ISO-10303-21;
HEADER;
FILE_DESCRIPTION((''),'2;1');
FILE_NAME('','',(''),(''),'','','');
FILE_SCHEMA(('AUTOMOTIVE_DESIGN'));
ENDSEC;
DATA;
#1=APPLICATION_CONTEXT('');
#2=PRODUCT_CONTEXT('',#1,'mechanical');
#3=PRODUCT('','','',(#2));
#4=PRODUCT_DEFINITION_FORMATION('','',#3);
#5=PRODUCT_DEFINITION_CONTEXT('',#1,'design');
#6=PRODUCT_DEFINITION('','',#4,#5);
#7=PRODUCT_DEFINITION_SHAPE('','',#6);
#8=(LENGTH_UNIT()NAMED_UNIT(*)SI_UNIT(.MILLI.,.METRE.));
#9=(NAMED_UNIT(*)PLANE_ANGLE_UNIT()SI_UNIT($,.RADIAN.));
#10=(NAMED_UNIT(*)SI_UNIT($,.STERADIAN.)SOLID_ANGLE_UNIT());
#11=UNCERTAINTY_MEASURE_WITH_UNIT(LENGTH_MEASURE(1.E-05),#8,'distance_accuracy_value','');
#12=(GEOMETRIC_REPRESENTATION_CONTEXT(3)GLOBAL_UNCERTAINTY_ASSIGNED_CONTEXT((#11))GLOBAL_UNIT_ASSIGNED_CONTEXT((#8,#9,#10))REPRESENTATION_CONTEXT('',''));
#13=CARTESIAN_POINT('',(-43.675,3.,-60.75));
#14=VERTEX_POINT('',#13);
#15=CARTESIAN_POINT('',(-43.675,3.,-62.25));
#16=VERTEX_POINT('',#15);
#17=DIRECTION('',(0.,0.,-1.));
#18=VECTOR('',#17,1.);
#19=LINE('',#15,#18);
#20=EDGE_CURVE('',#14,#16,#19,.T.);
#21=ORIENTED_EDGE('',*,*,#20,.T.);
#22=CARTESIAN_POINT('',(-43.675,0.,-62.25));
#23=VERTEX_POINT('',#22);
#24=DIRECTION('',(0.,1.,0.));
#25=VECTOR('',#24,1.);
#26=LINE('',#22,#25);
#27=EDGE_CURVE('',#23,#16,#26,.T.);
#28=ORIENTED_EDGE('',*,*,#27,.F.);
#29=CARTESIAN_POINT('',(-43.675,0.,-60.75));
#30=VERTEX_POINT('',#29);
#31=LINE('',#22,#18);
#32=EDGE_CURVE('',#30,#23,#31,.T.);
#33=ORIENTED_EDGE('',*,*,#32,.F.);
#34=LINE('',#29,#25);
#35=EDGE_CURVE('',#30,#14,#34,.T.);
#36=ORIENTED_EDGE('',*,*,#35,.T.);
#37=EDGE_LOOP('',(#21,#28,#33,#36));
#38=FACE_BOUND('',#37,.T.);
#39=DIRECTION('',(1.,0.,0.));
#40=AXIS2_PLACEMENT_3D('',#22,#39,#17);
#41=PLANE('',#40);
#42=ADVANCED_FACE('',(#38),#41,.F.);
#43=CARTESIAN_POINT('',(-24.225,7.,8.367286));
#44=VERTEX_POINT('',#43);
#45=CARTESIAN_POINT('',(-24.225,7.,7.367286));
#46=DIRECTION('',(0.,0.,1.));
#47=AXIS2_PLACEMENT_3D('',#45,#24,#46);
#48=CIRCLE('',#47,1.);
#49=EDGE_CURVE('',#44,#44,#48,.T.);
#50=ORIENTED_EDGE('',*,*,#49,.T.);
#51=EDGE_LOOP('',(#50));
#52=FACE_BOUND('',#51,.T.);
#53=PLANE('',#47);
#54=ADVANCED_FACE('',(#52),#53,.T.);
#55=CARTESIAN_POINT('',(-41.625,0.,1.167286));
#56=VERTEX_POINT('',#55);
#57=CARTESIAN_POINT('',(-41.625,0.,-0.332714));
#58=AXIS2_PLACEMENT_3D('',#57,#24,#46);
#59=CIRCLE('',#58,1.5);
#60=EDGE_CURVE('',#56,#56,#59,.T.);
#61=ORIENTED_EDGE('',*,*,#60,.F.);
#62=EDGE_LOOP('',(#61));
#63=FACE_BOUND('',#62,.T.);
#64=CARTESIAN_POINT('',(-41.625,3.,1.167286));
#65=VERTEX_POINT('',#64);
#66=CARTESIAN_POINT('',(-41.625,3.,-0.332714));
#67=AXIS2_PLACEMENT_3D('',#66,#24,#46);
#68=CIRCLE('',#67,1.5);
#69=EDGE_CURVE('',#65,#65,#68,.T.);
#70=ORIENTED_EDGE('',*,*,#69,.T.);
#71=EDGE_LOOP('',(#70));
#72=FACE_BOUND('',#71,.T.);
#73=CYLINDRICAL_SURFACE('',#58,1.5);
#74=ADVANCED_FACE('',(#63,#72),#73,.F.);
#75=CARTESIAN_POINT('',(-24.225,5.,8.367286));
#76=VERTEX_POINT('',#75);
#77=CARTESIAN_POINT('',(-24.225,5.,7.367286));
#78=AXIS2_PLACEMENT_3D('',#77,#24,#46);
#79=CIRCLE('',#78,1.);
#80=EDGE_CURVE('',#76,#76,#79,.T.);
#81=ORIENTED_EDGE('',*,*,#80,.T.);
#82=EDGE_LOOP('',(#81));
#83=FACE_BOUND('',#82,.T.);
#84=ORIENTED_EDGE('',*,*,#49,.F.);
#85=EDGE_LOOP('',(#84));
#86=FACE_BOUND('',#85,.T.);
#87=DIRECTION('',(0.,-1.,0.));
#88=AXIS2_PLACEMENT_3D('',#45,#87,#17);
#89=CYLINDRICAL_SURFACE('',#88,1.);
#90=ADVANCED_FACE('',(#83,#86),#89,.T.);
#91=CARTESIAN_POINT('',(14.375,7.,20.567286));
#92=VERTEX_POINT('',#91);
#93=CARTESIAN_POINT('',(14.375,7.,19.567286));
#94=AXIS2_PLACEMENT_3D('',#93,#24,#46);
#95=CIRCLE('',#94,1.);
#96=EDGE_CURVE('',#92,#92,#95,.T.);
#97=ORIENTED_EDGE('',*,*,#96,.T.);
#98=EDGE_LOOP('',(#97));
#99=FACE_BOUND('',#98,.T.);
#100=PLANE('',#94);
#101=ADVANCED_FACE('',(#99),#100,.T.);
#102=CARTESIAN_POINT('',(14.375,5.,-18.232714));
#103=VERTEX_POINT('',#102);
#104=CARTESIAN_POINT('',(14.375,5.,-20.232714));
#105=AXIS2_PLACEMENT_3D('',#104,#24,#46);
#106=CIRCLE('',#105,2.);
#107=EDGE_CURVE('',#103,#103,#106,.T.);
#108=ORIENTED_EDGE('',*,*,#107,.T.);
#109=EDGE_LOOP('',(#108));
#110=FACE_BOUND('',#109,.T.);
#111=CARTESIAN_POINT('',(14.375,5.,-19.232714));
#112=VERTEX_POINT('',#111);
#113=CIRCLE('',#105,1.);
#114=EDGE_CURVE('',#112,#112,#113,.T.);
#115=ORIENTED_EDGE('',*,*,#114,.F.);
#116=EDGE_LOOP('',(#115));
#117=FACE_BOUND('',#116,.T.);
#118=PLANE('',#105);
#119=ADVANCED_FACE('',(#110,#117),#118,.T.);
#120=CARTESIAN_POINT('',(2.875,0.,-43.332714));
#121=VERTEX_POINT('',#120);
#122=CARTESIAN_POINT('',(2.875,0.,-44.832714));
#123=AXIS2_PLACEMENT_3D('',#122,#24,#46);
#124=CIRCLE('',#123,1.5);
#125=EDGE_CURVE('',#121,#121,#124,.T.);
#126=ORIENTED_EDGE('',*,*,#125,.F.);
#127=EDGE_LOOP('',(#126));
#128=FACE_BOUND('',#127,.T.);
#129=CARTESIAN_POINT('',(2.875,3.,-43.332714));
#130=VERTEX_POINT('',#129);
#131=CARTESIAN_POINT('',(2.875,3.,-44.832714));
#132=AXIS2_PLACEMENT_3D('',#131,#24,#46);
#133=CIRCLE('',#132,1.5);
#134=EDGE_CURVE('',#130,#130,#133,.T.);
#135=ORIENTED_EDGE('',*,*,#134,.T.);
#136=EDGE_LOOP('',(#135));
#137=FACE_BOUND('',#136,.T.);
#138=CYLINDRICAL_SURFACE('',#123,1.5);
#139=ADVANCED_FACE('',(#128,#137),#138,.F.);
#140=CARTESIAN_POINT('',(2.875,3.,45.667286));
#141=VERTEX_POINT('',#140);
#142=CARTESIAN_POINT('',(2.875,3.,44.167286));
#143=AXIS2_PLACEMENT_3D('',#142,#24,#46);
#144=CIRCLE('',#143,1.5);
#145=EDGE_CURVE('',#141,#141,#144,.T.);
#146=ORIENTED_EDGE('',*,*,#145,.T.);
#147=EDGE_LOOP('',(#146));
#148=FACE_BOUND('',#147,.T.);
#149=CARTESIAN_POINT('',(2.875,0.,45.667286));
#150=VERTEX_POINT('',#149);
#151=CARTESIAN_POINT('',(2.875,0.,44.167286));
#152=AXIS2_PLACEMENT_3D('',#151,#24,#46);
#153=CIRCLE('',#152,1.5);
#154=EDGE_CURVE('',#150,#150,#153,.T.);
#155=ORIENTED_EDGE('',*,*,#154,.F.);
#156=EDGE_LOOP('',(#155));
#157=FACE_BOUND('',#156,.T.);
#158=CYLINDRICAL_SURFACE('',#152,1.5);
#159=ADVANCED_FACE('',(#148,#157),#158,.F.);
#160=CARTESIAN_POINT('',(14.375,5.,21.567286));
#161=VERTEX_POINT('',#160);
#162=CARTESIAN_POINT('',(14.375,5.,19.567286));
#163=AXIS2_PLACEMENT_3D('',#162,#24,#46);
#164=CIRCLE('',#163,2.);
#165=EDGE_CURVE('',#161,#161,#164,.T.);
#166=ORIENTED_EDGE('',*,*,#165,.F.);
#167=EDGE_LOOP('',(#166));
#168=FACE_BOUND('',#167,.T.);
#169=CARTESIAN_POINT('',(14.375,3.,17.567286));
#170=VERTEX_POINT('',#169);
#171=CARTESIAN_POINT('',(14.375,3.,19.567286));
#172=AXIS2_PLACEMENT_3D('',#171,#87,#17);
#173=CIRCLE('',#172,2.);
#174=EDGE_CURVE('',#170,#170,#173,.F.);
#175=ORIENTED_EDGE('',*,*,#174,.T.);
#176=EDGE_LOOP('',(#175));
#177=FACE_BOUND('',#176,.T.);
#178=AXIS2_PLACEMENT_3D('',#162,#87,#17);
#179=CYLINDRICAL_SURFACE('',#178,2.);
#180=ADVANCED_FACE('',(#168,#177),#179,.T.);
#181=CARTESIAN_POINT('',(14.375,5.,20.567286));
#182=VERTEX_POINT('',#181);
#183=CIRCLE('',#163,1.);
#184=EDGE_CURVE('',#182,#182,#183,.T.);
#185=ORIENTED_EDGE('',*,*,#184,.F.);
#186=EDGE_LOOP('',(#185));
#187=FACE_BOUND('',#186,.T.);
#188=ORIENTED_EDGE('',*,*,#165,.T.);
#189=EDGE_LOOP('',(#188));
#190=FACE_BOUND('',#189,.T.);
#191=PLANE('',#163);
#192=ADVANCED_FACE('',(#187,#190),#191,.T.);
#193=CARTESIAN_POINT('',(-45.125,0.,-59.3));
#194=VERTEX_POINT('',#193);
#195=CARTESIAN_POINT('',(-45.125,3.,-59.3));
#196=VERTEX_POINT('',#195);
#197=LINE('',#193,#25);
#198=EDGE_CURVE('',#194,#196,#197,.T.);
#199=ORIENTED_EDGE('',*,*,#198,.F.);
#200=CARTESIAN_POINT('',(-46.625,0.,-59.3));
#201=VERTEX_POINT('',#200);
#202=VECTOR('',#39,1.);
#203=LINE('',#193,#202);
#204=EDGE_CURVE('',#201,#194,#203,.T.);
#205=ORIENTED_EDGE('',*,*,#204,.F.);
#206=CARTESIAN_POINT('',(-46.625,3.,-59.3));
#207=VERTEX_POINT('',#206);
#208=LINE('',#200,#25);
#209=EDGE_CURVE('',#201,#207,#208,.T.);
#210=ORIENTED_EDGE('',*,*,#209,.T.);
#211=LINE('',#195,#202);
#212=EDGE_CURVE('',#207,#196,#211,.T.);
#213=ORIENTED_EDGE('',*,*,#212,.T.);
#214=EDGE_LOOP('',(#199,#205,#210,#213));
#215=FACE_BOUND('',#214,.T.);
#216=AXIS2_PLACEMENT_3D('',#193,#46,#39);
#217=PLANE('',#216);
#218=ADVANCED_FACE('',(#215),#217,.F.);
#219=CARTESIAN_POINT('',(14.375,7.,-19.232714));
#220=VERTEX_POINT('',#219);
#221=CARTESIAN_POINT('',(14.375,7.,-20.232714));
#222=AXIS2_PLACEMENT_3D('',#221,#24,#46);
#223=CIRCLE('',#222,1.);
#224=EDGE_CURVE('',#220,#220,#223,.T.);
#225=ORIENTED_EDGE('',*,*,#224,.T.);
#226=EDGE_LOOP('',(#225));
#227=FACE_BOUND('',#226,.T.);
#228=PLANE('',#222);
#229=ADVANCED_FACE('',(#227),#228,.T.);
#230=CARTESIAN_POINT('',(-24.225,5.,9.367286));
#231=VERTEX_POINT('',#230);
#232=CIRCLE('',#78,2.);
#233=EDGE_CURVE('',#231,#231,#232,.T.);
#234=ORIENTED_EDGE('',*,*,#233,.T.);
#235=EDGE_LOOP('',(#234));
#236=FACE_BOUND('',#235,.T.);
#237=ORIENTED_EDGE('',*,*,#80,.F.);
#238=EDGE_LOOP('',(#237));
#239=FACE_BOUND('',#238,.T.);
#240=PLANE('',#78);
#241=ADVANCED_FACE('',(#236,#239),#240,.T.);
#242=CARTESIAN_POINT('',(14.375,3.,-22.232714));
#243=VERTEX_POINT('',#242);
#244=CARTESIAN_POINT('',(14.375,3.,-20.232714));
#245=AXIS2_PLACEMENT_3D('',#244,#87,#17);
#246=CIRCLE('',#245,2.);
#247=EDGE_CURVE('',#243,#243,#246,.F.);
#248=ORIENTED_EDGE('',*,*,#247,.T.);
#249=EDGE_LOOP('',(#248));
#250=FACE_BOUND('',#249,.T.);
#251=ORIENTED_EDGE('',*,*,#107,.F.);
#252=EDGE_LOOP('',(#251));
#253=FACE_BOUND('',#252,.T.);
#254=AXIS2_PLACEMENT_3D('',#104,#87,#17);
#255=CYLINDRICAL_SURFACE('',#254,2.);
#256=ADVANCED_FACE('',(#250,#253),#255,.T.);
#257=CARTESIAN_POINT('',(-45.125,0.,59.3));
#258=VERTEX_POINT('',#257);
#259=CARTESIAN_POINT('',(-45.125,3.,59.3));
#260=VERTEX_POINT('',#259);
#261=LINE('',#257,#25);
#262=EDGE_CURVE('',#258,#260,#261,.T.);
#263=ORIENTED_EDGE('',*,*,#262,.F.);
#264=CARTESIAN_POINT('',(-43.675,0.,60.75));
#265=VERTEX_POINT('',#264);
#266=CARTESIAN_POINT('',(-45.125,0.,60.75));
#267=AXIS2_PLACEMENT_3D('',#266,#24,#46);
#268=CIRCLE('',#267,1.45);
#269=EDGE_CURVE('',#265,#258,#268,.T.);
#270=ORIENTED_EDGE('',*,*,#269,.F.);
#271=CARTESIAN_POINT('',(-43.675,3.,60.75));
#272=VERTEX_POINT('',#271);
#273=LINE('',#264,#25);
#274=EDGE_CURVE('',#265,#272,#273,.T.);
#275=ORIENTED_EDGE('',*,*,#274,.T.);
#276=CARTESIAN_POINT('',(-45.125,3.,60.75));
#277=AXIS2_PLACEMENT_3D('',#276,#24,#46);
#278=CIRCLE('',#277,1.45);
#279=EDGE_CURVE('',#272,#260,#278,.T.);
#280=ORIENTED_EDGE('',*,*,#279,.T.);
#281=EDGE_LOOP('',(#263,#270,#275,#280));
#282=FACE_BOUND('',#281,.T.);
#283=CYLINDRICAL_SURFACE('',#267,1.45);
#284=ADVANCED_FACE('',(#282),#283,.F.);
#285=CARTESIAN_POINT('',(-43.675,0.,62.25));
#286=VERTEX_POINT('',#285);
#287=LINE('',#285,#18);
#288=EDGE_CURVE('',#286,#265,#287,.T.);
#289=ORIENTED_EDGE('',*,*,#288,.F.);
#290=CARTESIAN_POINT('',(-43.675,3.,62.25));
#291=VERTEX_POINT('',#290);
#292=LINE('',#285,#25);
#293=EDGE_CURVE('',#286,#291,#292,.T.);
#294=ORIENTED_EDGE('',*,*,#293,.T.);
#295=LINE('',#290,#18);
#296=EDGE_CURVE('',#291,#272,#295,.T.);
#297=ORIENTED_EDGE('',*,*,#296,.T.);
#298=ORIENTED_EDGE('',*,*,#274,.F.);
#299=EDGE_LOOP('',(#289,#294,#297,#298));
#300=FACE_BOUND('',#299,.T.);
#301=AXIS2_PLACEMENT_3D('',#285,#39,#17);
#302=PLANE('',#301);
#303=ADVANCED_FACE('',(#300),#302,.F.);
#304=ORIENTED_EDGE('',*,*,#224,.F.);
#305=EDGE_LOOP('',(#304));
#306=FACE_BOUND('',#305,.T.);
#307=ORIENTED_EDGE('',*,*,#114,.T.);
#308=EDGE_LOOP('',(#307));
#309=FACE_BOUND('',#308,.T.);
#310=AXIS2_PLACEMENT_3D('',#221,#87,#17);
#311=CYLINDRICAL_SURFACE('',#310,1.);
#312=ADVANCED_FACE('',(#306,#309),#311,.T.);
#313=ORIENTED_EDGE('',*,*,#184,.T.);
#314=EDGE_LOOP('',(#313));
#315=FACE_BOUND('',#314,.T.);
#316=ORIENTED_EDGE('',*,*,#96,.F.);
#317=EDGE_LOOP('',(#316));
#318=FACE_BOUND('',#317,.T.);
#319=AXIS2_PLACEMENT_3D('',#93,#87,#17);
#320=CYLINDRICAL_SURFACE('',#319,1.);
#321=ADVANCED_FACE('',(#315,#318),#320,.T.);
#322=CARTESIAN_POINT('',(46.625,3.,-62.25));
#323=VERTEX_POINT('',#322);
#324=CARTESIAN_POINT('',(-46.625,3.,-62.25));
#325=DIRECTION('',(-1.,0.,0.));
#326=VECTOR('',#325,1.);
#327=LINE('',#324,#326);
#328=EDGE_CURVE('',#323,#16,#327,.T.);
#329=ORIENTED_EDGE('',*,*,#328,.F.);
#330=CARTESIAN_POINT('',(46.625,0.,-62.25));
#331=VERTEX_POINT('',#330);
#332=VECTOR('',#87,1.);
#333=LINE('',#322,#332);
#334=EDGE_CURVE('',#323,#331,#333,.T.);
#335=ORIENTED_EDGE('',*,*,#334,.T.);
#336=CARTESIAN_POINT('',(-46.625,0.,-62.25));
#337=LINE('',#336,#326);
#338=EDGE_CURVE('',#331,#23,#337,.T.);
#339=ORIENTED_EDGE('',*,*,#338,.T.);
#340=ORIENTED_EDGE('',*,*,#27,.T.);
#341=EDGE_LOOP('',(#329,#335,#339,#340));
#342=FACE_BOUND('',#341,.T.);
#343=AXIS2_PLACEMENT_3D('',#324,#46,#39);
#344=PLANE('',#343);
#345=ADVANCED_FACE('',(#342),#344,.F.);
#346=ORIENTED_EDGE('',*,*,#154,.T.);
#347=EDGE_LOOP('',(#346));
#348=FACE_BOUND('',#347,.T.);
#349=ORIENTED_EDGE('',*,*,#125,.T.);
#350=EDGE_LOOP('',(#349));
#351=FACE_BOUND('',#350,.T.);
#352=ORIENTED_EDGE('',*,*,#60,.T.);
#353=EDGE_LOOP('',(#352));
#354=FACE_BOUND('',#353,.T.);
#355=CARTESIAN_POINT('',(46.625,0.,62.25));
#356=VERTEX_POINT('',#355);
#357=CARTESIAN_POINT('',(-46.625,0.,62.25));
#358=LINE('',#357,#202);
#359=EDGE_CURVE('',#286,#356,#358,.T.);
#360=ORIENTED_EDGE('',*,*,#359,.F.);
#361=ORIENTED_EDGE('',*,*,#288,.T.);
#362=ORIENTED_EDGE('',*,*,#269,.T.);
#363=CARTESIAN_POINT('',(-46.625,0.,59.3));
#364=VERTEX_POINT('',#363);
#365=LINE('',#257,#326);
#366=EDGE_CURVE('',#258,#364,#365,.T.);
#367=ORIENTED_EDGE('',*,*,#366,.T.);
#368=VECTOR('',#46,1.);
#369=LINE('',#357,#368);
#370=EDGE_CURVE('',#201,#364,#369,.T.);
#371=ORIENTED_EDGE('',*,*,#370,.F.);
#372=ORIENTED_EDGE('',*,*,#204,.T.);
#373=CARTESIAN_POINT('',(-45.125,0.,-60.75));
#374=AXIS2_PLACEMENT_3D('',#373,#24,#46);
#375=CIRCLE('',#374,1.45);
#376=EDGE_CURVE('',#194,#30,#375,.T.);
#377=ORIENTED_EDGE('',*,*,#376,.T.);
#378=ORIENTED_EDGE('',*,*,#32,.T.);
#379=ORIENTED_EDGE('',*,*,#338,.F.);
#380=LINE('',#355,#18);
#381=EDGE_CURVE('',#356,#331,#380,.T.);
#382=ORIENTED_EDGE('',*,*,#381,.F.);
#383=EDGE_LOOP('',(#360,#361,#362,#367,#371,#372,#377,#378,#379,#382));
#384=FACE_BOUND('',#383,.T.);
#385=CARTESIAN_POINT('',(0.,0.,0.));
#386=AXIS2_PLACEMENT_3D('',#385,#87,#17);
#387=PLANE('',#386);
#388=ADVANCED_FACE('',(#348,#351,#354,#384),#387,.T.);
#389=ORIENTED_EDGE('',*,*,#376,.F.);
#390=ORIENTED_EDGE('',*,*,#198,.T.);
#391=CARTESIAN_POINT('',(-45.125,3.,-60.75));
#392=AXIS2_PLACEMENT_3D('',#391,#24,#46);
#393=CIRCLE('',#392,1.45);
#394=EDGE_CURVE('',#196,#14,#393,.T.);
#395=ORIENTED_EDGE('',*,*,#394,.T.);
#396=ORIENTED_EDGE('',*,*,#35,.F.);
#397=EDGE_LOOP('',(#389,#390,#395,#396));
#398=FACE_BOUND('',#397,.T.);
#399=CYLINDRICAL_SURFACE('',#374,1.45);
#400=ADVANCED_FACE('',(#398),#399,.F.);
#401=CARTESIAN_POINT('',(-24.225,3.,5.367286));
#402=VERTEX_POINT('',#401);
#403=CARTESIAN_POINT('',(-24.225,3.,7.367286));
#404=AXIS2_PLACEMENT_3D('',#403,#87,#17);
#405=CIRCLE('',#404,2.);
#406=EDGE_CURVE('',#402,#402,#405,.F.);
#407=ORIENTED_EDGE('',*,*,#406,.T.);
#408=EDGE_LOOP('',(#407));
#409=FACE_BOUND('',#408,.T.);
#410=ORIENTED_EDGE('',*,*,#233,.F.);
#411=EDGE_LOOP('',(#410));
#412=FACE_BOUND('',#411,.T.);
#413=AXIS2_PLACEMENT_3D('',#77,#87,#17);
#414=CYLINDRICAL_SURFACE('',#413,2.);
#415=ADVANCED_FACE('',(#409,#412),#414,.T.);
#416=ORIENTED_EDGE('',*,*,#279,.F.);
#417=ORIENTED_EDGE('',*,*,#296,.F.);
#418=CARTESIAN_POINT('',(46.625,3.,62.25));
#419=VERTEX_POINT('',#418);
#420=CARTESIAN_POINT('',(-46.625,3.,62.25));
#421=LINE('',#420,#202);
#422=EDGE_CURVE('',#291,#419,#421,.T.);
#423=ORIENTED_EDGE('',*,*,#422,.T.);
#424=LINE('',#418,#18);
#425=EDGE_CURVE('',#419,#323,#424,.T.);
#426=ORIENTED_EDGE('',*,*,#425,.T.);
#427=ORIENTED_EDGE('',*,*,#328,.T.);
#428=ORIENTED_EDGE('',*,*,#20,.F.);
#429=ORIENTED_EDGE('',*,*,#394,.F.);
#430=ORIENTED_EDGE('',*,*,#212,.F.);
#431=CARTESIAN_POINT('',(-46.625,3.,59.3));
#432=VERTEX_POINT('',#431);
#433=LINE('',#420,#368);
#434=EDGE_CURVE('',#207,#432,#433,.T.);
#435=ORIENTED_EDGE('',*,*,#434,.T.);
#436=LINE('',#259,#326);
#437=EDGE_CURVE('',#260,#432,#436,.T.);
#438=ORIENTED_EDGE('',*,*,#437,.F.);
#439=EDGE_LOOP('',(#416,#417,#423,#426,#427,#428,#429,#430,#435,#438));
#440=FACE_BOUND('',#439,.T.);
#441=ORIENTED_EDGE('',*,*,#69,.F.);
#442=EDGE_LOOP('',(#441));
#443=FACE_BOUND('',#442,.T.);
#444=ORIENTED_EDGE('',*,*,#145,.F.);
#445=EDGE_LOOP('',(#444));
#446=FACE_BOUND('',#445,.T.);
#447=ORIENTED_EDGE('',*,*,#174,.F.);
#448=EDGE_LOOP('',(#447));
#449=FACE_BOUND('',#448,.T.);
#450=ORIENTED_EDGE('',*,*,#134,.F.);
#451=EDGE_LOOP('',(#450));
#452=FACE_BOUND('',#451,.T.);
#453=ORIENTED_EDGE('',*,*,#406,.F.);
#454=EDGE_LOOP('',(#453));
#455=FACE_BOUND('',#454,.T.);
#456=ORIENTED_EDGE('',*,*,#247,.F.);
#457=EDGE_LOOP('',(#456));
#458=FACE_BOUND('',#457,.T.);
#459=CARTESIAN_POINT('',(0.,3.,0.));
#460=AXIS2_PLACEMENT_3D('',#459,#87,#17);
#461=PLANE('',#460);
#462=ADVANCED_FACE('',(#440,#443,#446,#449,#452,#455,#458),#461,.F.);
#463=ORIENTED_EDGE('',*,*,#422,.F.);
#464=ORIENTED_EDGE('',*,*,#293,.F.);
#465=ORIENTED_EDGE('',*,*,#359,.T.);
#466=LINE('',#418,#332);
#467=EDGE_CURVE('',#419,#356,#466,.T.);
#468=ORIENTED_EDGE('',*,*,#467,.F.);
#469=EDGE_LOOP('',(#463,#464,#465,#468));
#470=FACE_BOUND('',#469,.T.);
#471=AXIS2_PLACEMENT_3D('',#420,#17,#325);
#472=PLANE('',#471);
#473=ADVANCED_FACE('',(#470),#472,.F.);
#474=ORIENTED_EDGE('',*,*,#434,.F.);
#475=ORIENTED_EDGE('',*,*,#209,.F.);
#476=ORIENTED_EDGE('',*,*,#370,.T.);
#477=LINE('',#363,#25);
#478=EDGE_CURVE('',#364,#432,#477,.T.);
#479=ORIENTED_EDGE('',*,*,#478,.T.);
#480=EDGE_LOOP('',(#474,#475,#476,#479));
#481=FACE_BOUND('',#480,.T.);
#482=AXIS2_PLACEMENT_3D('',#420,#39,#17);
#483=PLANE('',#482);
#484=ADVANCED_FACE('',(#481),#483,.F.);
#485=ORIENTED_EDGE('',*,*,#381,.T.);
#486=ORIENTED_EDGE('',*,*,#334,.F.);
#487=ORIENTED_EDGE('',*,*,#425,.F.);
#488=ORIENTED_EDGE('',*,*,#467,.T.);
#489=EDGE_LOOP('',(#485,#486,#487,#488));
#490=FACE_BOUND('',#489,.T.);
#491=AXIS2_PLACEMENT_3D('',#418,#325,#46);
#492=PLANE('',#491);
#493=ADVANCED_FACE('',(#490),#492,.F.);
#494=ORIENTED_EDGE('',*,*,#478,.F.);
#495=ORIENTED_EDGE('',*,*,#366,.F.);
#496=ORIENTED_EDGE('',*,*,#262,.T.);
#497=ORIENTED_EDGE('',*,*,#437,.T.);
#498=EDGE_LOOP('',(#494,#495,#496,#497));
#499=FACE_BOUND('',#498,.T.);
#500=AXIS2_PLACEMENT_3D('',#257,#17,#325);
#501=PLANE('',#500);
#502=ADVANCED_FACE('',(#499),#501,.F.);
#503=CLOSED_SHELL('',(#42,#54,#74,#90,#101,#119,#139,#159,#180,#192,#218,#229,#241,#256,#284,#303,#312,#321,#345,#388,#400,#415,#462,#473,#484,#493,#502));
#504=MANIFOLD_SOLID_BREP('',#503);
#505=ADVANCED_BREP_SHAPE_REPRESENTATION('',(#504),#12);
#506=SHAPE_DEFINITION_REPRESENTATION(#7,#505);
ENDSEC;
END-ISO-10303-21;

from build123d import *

# Parameters (mm, degrees)
SKETCH1_W           = 93.25
SKETCH1_H           = 124.5
BOSS_EXTRUDE1_DEPTH = 3
SKETCH2_R           = 1.45
CUT_EXTRUDE1_DEPTH  = 78.832853764
SKETCH6_R           = 2
SKETCH6_R_2         = 1
BOSS_EXTRUDE4_DEPTH = 2
SKETCH7_R           = 1
BOSS_EXTRUDE5_DEPTH = 4
SKETCH8_R           = 1.5
CUT_EXTRUDE2_DEPTH  = 3
CUT_EXTRUDE3_DEPTH  = 3
CUT_EXTRUDE4_DEPTH  = 3


with BuildPart() as part:
    # Sketch1 → Boss-Extrude1 (new body)
    with BuildSketch(Plane(origin=(0, 0, 0), x_dir=(1, 0, 0), z_dir=(0, 1, 0))):
        Rectangle(SKETCH1_W, SKETCH1_H)
    extrude(amount=BOSS_EXTRUDE1_DEPTH)

    # Sketch2 → Cut-Extrude1 (cut, through all)
    with BuildSketch(Plane(origin=(0, 3, 0), x_dir=(1, 0, 0), z_dir=(0, 1, 0))):
        with Locations(Location((-45.125, 60.75, 0), (0, 0, 270))):
            Circle(SKETCH2_R)
        with Locations(Location((-45.125, -60.75, 0), (0, 0, 270))):
            Circle(SKETCH2_R)
    extrude(amount=-CUT_EXTRUDE1_DEPTH, mode=Mode.SUBTRACT)

    # Sketch6 → Boss-Extrude4 (add)
    # profile 1 of 3: a face of its own
    with BuildSketch(Plane(origin=(0, 3, 0), x_dir=(1, 0, 0), z_dir=(0, 1, 0))):
        with Locations(Location((-24.225, -7.367286263, 0), (0, 0, 90))):
            Circle(SKETCH6_R)
        with Locations(Location((-24.225, -7.367286263, 0), (0, 0, 270))):
            Circle(SKETCH6_R_2, mode=Mode.SUBTRACT)
    # profile 2 of 3: a face of its own
    with BuildSketch(Plane(origin=(0, 3, 0), x_dir=(1, 0, 0), z_dir=(0, 1, 0))):
        with Locations(Location((14.375, 20.232713737, 0), (0, 0, 90))):
            Circle(SKETCH6_R)
        with Locations(Location((14.375, 20.232713737, 0), (0, 0, 270))):
            Circle(SKETCH6_R_2, mode=Mode.SUBTRACT)
    # profile 3 of 3: a face of its own
    with BuildSketch(Plane(origin=(0, 3, 0), x_dir=(1, 0, 0), z_dir=(0, 1, 0))):
        with Locations(Location((14.375, -19.567286263, 0), (0, 0, 90))):
            Circle(SKETCH6_R)
        with Locations(Location((14.375, -19.567286263, 0), (0, 0, 270))):
            Circle(SKETCH6_R_2, mode=Mode.SUBTRACT)
    extrude(amount=BOSS_EXTRUDE4_DEPTH)

    # Sketch7 → Boss-Extrude5 (add)
    with BuildSketch(Plane(origin=(0, 3, 0), x_dir=(1, 0, 0), z_dir=(0, 1, 0))):
        with Locations(Location((-24.225, -7.367286263, 0), (0, 0, 270))):
            Circle(SKETCH7_R)
        with Locations(Location((14.375, 20.232713737, 0), (0, 0, 270))):
            Circle(SKETCH7_R)
        with Locations(Location((14.375, -19.567286263, 0), (0, 0, 270))):
            Circle(SKETCH7_R)
    extrude(amount=BOSS_EXTRUDE5_DEPTH)

    # Sketch8 → Cut-Extrude2 (cut)
    with BuildSketch(Plane(origin=(0, 3, 0), x_dir=(1, 0, 0), z_dir=(0, 1, 0))):
        with Locations(Location((2.875, 44.832713737, 0), (0, 0, 270))):
            Circle(SKETCH8_R)
        with Locations(Location((-41.625, 0.332713737, 0), (0, 0, 270))):
            Circle(SKETCH8_R)
        with Locations(Location((2.875, -44.167286263, 0), (0, 0, 270))):
            Circle(SKETCH8_R)
    extrude(amount=-CUT_EXTRUDE2_DEPTH, mode=Mode.SUBTRACT)

    # Sketch9 → Cut-Extrude3 (cut)
    with BuildSketch(Plane(origin=(0, 3, 0), x_dir=(1, 0, 0), z_dir=(0, 1, 0))):
        with BuildLine():
            Line((-45.125, 59.3), (-46.625, 59.3))
            Line((-46.625, 59.3), (-46.625, 62.25))
            Line((-46.625, 62.25), (-43.675, 62.25))
            Line((-43.675, 62.25), (-43.675, 60.75))
            ThreePointArc((-43.675, 60.75), (-44.099695167, 59.724695167), (-45.125, 59.3))
        make_face()
    extrude(amount=-CUT_EXTRUDE3_DEPTH, mode=Mode.SUBTRACT)

    # Sketch10 → Cut-Extrude4 (cut)
    with BuildSketch(Plane(origin=(0, 3, 0), x_dir=(1, 0, 0), z_dir=(0, 1, 0))):
        with BuildLine():
            Line((-45.125, -59.3), (-46.625, -59.3))
            Line((-46.625, -59.3), (-46.625, -62.25))
            Line((-46.625, -62.25), (-43.675, -62.25))
            Line((-43.675, -62.25), (-43.675, -60.75))
            ThreePointArc((-43.675, -60.75), (-44.099695167, -59.724695167), (-45.125, -59.3))
        make_face()
    extrude(amount=-CUT_EXTRUDE4_DEPTH, mode=Mode.SUBTRACT)


solid = part.part
